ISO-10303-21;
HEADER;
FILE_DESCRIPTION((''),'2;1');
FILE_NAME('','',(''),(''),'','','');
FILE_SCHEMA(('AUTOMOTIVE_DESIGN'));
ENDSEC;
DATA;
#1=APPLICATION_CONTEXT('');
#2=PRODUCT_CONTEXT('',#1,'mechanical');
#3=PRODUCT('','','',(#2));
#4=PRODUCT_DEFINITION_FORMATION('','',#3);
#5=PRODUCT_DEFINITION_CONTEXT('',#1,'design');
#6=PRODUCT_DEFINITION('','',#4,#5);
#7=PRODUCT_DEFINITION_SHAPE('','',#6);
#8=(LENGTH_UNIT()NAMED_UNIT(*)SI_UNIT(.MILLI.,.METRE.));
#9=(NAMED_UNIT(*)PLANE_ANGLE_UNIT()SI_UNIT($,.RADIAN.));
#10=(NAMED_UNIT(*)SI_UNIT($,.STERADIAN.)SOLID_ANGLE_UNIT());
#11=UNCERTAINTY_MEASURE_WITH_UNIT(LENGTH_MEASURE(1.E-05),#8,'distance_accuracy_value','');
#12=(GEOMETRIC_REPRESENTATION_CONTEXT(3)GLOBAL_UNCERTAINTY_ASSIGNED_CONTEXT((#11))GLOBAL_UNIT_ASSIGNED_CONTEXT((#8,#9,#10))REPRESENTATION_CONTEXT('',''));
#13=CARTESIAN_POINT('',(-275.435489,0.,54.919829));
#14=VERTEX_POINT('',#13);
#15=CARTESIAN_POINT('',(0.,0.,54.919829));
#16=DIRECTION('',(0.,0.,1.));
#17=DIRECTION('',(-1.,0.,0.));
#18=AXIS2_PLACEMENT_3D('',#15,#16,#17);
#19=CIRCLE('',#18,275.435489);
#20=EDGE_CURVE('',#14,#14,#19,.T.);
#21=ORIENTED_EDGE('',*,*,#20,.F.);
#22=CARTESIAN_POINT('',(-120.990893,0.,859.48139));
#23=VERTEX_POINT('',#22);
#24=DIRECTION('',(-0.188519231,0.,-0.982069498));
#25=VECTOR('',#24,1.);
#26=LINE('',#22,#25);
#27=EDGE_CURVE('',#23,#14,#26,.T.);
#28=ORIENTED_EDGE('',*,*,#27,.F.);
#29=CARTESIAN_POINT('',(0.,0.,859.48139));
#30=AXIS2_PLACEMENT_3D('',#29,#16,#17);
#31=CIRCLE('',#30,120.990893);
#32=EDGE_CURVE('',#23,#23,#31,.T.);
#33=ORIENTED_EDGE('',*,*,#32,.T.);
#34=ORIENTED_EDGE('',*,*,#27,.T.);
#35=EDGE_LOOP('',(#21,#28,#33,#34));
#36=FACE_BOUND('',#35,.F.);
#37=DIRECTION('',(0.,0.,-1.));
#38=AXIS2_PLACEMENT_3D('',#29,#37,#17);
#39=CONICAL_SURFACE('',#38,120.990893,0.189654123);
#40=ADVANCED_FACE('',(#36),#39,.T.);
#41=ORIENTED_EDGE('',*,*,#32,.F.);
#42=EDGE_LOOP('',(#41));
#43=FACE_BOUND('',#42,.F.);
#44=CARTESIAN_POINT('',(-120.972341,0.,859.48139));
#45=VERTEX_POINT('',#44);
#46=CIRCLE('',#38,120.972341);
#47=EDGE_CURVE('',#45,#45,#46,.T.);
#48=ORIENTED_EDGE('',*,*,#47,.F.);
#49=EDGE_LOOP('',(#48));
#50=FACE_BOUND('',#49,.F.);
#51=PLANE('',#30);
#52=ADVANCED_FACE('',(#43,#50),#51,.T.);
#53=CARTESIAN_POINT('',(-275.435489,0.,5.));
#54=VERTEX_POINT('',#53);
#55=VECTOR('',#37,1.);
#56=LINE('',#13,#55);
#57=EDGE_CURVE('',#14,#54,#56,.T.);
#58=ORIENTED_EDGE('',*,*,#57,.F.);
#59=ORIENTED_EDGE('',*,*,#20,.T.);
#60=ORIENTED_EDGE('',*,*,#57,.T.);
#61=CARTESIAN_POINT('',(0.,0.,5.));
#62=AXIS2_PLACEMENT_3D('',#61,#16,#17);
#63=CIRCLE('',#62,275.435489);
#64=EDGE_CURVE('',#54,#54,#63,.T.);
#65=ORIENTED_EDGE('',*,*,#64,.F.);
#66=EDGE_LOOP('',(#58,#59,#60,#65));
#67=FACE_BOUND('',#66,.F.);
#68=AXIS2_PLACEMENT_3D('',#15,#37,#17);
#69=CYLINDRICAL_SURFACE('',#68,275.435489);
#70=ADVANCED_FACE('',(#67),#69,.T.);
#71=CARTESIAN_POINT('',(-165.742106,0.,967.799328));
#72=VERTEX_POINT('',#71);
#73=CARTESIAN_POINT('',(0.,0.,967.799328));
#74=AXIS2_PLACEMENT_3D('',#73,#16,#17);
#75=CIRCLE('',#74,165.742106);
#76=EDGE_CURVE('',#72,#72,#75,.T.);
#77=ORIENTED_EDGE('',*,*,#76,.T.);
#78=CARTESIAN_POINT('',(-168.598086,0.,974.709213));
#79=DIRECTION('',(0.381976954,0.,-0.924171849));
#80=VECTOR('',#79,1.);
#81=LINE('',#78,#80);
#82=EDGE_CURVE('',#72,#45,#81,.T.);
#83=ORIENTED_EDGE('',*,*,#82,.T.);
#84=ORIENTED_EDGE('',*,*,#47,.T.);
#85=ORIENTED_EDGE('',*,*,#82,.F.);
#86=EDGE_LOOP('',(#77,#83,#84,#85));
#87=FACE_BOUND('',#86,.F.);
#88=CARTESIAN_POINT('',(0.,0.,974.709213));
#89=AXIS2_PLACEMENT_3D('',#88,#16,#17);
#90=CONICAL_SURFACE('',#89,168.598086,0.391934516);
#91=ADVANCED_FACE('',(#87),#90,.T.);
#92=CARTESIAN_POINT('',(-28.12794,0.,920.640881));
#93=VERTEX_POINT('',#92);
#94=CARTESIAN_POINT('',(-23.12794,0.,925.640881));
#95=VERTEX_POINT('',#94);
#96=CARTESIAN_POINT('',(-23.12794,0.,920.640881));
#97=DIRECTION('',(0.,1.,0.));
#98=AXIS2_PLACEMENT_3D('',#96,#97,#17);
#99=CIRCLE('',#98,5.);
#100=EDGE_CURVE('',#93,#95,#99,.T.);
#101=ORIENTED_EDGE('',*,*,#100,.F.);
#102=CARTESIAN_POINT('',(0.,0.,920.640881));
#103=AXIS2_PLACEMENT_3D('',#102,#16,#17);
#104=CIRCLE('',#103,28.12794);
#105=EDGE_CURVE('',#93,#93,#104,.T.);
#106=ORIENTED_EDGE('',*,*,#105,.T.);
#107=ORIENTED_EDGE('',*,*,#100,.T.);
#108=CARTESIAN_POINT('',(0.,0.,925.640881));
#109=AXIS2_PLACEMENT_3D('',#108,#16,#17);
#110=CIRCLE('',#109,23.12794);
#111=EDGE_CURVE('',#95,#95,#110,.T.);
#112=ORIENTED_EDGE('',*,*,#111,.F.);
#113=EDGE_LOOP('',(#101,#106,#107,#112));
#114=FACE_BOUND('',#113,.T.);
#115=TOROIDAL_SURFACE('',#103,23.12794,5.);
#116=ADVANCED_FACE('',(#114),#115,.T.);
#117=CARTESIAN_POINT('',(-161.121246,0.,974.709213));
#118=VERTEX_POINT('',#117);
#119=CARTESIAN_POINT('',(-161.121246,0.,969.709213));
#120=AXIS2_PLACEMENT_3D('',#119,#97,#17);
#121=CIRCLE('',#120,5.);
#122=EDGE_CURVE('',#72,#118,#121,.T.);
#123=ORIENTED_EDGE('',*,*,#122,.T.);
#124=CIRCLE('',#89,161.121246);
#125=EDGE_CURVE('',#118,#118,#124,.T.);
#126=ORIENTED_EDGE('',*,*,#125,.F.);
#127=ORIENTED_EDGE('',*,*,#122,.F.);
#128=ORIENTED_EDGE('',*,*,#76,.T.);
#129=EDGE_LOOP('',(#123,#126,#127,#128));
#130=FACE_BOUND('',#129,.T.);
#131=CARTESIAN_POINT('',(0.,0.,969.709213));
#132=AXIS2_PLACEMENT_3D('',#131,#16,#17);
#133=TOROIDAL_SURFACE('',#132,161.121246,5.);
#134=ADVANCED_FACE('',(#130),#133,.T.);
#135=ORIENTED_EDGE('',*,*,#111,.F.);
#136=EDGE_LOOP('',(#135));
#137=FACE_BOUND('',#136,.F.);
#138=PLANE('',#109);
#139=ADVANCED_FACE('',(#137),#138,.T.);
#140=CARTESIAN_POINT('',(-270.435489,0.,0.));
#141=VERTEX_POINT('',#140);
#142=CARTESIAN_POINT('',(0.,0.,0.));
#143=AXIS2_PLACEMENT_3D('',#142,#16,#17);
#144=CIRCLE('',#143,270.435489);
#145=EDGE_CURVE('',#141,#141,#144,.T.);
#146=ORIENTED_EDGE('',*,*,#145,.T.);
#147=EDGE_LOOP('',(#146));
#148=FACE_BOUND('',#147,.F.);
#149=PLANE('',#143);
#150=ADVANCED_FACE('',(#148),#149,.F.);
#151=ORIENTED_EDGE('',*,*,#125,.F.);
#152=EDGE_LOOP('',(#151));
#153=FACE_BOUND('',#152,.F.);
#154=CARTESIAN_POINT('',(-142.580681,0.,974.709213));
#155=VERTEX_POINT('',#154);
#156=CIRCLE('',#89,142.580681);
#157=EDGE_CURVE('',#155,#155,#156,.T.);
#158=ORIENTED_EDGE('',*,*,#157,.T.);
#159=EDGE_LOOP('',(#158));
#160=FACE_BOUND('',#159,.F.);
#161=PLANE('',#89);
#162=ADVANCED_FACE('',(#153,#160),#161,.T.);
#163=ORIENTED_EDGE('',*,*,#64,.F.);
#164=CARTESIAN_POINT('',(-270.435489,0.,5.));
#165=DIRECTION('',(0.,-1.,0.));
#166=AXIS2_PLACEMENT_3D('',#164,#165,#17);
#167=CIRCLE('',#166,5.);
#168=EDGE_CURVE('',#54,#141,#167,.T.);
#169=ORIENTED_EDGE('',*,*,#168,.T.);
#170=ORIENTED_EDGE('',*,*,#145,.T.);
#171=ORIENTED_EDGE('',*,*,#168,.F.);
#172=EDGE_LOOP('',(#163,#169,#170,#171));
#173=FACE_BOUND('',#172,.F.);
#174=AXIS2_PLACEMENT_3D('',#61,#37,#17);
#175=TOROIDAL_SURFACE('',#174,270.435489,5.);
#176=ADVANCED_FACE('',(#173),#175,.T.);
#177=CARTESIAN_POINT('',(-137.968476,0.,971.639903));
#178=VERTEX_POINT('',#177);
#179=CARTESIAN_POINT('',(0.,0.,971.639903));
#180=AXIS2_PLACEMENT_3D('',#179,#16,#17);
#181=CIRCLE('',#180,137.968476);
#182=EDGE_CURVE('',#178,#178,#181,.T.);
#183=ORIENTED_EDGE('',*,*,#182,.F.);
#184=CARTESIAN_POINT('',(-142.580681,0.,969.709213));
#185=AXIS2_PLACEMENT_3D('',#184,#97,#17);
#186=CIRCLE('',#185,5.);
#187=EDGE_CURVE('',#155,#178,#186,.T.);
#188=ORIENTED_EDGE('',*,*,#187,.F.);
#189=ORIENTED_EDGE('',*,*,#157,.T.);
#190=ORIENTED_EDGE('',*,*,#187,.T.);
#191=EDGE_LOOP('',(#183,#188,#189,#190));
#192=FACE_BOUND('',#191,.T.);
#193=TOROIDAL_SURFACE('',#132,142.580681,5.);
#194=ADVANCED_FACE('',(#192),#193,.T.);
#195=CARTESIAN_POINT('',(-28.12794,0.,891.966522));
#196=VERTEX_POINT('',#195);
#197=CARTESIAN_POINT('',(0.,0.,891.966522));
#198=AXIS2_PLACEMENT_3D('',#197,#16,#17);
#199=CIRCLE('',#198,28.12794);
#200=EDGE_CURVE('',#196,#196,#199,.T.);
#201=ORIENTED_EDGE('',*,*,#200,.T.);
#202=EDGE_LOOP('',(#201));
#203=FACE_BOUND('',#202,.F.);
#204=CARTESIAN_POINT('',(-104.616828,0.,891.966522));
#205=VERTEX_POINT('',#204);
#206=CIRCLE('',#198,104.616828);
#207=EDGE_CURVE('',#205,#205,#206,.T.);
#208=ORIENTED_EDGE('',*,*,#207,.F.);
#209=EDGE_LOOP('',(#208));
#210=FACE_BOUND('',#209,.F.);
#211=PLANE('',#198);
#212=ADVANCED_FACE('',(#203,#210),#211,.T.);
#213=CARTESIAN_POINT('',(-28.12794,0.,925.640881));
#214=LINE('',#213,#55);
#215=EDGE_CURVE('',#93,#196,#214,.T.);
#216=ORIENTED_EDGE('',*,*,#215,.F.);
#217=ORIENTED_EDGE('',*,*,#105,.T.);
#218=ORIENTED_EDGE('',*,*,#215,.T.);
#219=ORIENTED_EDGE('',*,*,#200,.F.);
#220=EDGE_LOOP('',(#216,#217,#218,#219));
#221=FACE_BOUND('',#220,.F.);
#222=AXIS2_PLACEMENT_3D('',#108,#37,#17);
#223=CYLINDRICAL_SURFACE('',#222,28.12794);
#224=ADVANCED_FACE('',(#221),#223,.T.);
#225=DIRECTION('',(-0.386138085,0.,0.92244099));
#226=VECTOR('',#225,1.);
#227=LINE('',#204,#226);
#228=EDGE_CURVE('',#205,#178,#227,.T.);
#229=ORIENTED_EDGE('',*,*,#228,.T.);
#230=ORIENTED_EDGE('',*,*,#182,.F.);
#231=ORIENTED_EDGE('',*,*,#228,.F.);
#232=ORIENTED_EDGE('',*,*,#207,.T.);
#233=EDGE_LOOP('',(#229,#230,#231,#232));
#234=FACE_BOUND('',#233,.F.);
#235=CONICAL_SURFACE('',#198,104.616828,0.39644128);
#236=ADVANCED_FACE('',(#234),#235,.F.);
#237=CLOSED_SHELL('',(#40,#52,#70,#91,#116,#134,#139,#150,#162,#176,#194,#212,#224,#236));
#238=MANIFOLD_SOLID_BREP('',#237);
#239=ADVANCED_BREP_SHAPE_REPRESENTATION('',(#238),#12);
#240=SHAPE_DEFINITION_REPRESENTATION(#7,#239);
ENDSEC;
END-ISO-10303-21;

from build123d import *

# Parameters (mm, degrees)
F5_R = 5
F6_R = 5
F7_R = 5
F8_R = 5


with BuildPart() as f3:
    # F0 (on Front) → F3 (revolve)
    with BuildSketch(Plane.XZ):
        Polygon((-275.435489, 0), (0, 0), (0, 859.48139), (-120.990893, 859.48139), (-275.435489, 54.919829), align=None)
    revolve(axis=Axis((0, 0, 550.116003), (0, 0, 1)))

    # F2 (on Front) → F4 (revolve)
    with BuildSketch(Plane.XZ):
        Polygon((-168.598086, 974.709213), (-120.936424, 859.394491), (0, 859.254301), (0, 925.640881), (-28.12794, 925.640881), (-28.12794, 891.966522), (-104.616828, 891.966522), (-139.253303, 974.709213), align=None)
    revolve(axis=Axis((0, 0, 550.116003), (0, 0, 1)))

    # F5
    f5_edges = [f3.edges().sort_by_distance(p)[0] for p in [
        (168.598086, 0, 974.709213),
    ]]
    fillet(f5_edges, radius=F5_R)

    # F6
    f6_edges = [f3.edges().sort_by_distance(p)[0] for p in [
        (139.253303, 0, 974.709213),
    ]]
    fillet(f6_edges, radius=F6_R)

    # F7
    f7_edges = [f3.edges().sort_by_distance(p)[0] for p in [
        (28.12794, 0, 925.640881),
    ]]
    fillet(f7_edges, radius=F7_R)

    # F8
    f8_edges = [f3.edges().sort_by_distance(p)[0] for p in [
        (275.435489, 0, 0),
    ]]
    fillet(f8_edges, radius=F8_R)


solid = f3.part
